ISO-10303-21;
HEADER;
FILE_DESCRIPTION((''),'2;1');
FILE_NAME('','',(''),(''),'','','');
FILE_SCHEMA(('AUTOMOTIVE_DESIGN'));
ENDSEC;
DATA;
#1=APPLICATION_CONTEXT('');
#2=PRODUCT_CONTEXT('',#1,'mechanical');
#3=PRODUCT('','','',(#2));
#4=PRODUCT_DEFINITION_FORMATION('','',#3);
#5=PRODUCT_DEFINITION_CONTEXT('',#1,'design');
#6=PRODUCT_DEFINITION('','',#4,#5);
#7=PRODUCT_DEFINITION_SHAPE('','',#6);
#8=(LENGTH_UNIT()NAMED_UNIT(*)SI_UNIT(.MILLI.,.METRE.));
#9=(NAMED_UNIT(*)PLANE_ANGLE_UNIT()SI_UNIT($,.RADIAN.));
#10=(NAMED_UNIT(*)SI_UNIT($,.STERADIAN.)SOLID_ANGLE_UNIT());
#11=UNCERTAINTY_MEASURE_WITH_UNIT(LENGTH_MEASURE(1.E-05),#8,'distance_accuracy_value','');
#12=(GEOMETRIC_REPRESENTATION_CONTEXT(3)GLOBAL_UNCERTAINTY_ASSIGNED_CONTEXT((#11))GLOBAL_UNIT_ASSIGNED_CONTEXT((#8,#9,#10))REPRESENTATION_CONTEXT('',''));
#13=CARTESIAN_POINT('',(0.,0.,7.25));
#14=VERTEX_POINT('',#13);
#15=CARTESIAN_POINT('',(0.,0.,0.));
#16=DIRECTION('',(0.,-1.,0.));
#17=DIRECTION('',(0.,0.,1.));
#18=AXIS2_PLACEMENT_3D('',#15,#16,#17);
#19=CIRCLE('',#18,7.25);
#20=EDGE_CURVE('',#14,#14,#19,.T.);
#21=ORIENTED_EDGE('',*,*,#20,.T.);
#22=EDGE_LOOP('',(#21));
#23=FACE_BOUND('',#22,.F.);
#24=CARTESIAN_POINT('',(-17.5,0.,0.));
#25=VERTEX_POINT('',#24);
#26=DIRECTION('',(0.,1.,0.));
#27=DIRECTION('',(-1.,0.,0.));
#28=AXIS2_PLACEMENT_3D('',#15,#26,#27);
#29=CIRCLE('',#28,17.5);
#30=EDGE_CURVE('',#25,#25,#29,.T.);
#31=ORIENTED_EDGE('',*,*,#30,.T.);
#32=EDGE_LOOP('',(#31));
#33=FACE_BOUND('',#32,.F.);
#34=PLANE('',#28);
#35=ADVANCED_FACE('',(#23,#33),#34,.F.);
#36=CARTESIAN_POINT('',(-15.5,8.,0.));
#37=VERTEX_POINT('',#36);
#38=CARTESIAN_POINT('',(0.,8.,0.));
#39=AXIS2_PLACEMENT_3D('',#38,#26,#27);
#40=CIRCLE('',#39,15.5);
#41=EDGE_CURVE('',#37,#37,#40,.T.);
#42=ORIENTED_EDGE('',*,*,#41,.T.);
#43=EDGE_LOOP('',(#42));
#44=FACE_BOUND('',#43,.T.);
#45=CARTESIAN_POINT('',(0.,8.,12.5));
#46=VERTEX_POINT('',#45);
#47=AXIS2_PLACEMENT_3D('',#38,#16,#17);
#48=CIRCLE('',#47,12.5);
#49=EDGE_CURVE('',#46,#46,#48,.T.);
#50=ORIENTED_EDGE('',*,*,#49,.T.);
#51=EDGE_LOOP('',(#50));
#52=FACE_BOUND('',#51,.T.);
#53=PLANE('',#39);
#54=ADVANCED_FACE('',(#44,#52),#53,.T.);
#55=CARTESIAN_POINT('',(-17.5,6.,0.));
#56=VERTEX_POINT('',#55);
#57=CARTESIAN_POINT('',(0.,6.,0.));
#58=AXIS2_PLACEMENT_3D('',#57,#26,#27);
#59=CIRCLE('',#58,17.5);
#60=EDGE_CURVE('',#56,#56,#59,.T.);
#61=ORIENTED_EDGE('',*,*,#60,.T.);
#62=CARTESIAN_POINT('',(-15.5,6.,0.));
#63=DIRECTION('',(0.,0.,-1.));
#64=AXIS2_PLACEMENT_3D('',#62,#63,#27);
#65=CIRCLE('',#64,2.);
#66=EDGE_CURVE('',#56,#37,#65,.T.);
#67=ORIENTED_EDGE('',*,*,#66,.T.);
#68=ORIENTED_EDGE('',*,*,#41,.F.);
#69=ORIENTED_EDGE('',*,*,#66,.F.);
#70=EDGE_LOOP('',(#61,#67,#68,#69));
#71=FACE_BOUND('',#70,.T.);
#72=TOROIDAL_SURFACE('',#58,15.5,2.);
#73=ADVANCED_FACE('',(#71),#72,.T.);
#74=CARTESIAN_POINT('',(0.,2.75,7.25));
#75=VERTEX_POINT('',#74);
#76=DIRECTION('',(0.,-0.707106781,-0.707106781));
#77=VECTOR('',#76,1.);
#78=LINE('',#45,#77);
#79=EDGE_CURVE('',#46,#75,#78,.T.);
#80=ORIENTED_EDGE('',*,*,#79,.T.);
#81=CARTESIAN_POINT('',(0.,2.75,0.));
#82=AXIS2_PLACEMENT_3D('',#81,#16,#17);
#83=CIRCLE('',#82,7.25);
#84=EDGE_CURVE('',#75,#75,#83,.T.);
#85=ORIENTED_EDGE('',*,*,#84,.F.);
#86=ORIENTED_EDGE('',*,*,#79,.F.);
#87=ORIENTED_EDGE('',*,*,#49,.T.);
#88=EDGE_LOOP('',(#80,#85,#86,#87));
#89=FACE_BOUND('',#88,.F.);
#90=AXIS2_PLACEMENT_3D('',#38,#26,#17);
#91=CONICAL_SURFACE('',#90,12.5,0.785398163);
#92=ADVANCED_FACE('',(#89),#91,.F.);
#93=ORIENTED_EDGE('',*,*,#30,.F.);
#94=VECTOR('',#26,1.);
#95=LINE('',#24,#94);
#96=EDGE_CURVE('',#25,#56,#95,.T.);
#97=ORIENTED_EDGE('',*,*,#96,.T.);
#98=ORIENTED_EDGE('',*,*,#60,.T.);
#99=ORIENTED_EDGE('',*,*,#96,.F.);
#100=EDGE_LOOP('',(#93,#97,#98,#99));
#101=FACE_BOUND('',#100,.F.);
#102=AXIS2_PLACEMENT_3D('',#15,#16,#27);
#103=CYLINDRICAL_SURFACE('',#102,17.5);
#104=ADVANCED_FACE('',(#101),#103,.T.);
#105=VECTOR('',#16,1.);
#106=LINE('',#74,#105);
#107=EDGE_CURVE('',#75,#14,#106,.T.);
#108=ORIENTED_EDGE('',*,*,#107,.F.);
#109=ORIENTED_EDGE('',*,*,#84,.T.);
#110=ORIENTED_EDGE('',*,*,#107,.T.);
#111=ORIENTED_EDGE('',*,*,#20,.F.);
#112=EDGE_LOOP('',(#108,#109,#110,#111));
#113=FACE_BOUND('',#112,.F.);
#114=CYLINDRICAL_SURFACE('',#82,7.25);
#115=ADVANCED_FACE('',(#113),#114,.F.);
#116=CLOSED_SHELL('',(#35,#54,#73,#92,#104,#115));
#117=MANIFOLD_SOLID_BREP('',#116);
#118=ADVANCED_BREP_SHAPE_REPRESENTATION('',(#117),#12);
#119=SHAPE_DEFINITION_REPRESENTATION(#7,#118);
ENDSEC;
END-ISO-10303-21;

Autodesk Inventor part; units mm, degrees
ref_plane "YZ Plane" through (0, 0, 0) normal (1, 0, 0) x (0, 1, 0)
ref_plane "XZ Plane" through (0, 0, 0) normal (0, 1, 0) x (-1, 0, 0)
ref_plane "XY Plane" through (0, 0, 0) normal (0, 0, 1) x (1, 0, 0)
sketch "Sketch1" plane through (0, 0, 0) normal (0, 1, 0) x (-1, 0, 0)
  circle A0 centre (0, 0) radius 17.5
  dimension "d0" = 35
extrude "Extrusion1" add sketch "Sketch1" along normal blind 8
fillet "Fillet1" radius 2 1 edges at (17.5, 8, 0)
sketch "Sketch2" plane through (0, 8, 0) normal (0, 1, 0) x (1, 0, 0)
  point P0 (0, 0)
  point P1 (0, 0)
hole "Hole1" at (0, 8, 0) direction (0, -1, 0) diameter 14.5 end through all countersink diameter 25 countersink angle 90
sketch "Sketch3" plane through (0, 8, 0) normal (0, 1, 0) x (1, 0, 0)
  point P0 (0, 0)
properties part number "washer.special" material "Steel, High Strength, Low Alloy"
